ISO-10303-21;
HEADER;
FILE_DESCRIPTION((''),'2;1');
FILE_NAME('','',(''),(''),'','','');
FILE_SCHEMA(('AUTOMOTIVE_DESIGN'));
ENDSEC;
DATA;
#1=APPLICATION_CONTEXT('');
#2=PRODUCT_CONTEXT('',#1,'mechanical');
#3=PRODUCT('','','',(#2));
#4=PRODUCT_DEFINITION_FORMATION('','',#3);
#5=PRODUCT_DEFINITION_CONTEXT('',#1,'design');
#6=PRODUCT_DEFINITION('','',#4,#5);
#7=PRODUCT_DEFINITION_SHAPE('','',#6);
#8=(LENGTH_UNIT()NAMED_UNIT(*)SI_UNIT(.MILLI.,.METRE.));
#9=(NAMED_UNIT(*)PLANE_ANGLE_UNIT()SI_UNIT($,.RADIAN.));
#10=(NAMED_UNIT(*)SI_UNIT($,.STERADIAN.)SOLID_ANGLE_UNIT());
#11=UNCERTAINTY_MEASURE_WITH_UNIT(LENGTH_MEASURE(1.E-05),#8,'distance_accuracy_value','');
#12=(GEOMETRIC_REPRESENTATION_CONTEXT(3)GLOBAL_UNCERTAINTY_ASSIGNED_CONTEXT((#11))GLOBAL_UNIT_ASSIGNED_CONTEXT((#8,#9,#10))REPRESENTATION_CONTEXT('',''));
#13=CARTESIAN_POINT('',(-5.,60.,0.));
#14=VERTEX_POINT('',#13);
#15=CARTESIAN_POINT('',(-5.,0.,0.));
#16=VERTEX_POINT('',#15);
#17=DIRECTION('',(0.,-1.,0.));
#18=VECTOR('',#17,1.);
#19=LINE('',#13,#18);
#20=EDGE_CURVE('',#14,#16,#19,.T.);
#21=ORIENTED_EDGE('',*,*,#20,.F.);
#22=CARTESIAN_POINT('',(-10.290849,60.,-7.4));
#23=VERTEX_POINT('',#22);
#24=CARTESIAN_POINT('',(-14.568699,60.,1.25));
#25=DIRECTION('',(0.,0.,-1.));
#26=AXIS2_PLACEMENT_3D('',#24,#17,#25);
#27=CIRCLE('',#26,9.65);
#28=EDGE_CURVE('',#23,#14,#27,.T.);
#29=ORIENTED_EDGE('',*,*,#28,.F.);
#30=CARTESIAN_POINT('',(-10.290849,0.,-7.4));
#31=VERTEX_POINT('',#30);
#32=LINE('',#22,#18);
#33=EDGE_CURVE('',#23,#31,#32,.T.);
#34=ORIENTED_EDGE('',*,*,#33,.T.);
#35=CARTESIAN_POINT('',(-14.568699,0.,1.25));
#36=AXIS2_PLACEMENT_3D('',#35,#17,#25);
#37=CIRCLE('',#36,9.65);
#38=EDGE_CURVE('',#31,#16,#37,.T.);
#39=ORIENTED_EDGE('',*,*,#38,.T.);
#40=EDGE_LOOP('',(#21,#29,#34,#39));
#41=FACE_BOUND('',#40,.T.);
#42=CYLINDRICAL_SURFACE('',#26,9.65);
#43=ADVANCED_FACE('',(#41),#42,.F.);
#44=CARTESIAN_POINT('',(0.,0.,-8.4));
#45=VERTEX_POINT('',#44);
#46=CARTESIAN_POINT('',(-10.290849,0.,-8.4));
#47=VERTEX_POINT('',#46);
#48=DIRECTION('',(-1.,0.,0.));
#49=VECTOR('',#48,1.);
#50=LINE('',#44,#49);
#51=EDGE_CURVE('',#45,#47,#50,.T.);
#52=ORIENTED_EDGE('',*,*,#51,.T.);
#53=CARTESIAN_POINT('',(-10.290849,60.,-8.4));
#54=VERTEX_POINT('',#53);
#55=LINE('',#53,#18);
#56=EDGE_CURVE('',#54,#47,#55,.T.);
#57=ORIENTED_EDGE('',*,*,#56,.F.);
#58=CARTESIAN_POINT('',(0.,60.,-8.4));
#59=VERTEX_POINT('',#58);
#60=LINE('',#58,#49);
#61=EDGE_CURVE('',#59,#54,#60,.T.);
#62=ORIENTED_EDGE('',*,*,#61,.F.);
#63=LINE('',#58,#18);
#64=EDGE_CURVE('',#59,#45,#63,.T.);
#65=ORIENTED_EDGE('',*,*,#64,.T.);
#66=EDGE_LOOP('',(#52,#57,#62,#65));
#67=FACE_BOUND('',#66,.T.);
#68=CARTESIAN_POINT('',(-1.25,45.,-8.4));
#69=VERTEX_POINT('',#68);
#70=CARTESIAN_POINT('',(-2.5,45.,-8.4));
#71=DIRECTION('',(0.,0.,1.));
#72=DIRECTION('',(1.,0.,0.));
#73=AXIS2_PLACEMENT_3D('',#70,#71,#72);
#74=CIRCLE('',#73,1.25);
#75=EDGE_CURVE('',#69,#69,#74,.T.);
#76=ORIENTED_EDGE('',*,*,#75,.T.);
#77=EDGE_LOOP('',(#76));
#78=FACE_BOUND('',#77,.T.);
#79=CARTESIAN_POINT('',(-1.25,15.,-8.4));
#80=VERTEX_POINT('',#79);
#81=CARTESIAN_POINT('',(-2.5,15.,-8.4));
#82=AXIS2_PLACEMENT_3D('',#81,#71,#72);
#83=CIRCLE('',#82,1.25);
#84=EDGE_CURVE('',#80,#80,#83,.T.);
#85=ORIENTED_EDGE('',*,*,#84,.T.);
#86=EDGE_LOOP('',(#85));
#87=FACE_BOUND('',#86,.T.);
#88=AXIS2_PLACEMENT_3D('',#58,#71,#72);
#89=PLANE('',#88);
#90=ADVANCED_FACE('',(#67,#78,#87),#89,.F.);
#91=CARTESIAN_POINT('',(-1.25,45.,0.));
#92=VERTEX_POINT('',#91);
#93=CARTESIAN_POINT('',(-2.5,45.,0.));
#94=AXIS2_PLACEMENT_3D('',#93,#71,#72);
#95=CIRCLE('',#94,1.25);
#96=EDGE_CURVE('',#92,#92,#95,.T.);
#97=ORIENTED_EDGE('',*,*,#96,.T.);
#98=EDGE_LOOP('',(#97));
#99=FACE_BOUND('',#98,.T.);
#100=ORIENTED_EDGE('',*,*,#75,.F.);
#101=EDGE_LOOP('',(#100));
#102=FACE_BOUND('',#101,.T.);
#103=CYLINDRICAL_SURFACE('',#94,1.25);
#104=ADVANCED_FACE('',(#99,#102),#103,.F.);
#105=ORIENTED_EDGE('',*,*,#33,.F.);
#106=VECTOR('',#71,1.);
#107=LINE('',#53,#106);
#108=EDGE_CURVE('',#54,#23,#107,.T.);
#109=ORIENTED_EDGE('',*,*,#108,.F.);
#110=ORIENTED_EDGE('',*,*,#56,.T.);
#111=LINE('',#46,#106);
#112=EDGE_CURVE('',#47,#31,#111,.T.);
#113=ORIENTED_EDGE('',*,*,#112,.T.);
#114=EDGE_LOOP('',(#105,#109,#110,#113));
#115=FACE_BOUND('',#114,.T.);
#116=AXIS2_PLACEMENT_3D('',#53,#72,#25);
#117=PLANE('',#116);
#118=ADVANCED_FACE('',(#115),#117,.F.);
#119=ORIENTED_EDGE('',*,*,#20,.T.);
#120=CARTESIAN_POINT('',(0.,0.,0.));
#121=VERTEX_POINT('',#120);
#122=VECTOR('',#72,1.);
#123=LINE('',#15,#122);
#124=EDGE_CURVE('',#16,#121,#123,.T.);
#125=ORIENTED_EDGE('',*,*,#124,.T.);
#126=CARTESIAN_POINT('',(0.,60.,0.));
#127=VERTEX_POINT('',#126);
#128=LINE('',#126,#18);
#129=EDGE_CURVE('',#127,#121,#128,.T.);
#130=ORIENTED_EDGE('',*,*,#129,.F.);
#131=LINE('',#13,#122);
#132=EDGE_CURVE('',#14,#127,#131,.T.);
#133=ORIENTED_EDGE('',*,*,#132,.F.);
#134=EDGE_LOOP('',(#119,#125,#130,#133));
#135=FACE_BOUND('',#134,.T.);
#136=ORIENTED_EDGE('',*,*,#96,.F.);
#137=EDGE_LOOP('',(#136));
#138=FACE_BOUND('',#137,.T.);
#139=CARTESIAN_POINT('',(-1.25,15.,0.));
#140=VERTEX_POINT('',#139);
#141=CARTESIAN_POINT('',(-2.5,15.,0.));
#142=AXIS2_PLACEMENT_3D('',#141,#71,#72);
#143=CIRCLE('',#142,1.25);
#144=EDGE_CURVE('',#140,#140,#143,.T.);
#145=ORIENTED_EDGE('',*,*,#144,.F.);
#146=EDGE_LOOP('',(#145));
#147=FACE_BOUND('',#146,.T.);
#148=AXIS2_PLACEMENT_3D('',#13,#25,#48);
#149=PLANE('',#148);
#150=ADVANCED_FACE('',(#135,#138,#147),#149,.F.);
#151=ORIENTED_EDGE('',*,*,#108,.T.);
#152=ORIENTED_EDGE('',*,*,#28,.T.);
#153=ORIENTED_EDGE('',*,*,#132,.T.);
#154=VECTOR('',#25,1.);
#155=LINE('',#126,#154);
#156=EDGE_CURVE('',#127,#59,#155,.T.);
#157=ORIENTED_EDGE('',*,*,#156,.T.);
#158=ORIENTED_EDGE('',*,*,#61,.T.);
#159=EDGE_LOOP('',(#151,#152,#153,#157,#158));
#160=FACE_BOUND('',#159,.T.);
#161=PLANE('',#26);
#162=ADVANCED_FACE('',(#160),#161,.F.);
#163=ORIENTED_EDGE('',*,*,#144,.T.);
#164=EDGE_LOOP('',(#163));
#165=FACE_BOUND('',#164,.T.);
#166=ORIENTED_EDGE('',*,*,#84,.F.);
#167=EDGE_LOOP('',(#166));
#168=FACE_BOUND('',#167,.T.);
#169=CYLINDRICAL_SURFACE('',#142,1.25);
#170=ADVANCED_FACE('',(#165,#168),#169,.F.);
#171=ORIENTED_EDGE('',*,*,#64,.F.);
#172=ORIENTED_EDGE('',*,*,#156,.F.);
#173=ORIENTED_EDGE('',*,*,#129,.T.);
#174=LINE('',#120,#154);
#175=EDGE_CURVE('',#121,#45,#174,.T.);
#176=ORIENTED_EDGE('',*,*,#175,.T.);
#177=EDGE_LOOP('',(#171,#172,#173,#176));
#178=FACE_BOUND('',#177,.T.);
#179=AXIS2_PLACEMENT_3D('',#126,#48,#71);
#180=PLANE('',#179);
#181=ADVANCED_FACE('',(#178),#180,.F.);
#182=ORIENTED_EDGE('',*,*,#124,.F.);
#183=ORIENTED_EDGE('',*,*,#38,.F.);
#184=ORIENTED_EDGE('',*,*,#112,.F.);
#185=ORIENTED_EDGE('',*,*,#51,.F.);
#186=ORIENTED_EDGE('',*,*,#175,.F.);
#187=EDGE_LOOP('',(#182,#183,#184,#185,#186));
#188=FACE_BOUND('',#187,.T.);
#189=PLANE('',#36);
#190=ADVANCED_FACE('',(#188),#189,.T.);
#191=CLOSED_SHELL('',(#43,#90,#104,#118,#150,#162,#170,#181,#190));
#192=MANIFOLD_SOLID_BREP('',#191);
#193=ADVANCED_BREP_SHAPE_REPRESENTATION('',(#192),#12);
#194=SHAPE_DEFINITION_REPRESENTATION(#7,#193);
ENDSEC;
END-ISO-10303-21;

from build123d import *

# Parameters (mm, degrees)
BOSS_EXTRUDE1_DEPTH   = 60
F_2_5MM_DOWEL_HOLE1_D = 2.5


with BuildPart() as part:
    # Sketch1 → Boss-Extrude1 (new body)
    with BuildSketch(Plane(origin=(0, 0, 0), x_dir=(1, 0, 0), z_dir=(0, 1, 0))):
        with BuildLine():
            Line((0, 0), (0, 8.4))
            Line((0, 8.4), (-10.290849044, 8.4))
            Line((-10.290849044, 8.4), (-10.290849044, 7.4))
            ThreePointArc((-10.290849044, 7.4), (-6.718748073, 4.362554757), (-5, 0))
            Line((-5, 0), (0, 0))
        make_face()
    extrude(amount=BOSS_EXTRUDE1_DEPTH)

    # Ø2.5mm Dowel Hole1 (through all)
    with Locations(Plane(origin=(-2.5, 45, 0), x_dir=(1, 0, 0), z_dir=(0, 0, 1))):
        with Locations((0, 0), (0, -30)):
            Hole(F_2_5MM_DOWEL_HOLE1_D / 2)


solid = part.part
